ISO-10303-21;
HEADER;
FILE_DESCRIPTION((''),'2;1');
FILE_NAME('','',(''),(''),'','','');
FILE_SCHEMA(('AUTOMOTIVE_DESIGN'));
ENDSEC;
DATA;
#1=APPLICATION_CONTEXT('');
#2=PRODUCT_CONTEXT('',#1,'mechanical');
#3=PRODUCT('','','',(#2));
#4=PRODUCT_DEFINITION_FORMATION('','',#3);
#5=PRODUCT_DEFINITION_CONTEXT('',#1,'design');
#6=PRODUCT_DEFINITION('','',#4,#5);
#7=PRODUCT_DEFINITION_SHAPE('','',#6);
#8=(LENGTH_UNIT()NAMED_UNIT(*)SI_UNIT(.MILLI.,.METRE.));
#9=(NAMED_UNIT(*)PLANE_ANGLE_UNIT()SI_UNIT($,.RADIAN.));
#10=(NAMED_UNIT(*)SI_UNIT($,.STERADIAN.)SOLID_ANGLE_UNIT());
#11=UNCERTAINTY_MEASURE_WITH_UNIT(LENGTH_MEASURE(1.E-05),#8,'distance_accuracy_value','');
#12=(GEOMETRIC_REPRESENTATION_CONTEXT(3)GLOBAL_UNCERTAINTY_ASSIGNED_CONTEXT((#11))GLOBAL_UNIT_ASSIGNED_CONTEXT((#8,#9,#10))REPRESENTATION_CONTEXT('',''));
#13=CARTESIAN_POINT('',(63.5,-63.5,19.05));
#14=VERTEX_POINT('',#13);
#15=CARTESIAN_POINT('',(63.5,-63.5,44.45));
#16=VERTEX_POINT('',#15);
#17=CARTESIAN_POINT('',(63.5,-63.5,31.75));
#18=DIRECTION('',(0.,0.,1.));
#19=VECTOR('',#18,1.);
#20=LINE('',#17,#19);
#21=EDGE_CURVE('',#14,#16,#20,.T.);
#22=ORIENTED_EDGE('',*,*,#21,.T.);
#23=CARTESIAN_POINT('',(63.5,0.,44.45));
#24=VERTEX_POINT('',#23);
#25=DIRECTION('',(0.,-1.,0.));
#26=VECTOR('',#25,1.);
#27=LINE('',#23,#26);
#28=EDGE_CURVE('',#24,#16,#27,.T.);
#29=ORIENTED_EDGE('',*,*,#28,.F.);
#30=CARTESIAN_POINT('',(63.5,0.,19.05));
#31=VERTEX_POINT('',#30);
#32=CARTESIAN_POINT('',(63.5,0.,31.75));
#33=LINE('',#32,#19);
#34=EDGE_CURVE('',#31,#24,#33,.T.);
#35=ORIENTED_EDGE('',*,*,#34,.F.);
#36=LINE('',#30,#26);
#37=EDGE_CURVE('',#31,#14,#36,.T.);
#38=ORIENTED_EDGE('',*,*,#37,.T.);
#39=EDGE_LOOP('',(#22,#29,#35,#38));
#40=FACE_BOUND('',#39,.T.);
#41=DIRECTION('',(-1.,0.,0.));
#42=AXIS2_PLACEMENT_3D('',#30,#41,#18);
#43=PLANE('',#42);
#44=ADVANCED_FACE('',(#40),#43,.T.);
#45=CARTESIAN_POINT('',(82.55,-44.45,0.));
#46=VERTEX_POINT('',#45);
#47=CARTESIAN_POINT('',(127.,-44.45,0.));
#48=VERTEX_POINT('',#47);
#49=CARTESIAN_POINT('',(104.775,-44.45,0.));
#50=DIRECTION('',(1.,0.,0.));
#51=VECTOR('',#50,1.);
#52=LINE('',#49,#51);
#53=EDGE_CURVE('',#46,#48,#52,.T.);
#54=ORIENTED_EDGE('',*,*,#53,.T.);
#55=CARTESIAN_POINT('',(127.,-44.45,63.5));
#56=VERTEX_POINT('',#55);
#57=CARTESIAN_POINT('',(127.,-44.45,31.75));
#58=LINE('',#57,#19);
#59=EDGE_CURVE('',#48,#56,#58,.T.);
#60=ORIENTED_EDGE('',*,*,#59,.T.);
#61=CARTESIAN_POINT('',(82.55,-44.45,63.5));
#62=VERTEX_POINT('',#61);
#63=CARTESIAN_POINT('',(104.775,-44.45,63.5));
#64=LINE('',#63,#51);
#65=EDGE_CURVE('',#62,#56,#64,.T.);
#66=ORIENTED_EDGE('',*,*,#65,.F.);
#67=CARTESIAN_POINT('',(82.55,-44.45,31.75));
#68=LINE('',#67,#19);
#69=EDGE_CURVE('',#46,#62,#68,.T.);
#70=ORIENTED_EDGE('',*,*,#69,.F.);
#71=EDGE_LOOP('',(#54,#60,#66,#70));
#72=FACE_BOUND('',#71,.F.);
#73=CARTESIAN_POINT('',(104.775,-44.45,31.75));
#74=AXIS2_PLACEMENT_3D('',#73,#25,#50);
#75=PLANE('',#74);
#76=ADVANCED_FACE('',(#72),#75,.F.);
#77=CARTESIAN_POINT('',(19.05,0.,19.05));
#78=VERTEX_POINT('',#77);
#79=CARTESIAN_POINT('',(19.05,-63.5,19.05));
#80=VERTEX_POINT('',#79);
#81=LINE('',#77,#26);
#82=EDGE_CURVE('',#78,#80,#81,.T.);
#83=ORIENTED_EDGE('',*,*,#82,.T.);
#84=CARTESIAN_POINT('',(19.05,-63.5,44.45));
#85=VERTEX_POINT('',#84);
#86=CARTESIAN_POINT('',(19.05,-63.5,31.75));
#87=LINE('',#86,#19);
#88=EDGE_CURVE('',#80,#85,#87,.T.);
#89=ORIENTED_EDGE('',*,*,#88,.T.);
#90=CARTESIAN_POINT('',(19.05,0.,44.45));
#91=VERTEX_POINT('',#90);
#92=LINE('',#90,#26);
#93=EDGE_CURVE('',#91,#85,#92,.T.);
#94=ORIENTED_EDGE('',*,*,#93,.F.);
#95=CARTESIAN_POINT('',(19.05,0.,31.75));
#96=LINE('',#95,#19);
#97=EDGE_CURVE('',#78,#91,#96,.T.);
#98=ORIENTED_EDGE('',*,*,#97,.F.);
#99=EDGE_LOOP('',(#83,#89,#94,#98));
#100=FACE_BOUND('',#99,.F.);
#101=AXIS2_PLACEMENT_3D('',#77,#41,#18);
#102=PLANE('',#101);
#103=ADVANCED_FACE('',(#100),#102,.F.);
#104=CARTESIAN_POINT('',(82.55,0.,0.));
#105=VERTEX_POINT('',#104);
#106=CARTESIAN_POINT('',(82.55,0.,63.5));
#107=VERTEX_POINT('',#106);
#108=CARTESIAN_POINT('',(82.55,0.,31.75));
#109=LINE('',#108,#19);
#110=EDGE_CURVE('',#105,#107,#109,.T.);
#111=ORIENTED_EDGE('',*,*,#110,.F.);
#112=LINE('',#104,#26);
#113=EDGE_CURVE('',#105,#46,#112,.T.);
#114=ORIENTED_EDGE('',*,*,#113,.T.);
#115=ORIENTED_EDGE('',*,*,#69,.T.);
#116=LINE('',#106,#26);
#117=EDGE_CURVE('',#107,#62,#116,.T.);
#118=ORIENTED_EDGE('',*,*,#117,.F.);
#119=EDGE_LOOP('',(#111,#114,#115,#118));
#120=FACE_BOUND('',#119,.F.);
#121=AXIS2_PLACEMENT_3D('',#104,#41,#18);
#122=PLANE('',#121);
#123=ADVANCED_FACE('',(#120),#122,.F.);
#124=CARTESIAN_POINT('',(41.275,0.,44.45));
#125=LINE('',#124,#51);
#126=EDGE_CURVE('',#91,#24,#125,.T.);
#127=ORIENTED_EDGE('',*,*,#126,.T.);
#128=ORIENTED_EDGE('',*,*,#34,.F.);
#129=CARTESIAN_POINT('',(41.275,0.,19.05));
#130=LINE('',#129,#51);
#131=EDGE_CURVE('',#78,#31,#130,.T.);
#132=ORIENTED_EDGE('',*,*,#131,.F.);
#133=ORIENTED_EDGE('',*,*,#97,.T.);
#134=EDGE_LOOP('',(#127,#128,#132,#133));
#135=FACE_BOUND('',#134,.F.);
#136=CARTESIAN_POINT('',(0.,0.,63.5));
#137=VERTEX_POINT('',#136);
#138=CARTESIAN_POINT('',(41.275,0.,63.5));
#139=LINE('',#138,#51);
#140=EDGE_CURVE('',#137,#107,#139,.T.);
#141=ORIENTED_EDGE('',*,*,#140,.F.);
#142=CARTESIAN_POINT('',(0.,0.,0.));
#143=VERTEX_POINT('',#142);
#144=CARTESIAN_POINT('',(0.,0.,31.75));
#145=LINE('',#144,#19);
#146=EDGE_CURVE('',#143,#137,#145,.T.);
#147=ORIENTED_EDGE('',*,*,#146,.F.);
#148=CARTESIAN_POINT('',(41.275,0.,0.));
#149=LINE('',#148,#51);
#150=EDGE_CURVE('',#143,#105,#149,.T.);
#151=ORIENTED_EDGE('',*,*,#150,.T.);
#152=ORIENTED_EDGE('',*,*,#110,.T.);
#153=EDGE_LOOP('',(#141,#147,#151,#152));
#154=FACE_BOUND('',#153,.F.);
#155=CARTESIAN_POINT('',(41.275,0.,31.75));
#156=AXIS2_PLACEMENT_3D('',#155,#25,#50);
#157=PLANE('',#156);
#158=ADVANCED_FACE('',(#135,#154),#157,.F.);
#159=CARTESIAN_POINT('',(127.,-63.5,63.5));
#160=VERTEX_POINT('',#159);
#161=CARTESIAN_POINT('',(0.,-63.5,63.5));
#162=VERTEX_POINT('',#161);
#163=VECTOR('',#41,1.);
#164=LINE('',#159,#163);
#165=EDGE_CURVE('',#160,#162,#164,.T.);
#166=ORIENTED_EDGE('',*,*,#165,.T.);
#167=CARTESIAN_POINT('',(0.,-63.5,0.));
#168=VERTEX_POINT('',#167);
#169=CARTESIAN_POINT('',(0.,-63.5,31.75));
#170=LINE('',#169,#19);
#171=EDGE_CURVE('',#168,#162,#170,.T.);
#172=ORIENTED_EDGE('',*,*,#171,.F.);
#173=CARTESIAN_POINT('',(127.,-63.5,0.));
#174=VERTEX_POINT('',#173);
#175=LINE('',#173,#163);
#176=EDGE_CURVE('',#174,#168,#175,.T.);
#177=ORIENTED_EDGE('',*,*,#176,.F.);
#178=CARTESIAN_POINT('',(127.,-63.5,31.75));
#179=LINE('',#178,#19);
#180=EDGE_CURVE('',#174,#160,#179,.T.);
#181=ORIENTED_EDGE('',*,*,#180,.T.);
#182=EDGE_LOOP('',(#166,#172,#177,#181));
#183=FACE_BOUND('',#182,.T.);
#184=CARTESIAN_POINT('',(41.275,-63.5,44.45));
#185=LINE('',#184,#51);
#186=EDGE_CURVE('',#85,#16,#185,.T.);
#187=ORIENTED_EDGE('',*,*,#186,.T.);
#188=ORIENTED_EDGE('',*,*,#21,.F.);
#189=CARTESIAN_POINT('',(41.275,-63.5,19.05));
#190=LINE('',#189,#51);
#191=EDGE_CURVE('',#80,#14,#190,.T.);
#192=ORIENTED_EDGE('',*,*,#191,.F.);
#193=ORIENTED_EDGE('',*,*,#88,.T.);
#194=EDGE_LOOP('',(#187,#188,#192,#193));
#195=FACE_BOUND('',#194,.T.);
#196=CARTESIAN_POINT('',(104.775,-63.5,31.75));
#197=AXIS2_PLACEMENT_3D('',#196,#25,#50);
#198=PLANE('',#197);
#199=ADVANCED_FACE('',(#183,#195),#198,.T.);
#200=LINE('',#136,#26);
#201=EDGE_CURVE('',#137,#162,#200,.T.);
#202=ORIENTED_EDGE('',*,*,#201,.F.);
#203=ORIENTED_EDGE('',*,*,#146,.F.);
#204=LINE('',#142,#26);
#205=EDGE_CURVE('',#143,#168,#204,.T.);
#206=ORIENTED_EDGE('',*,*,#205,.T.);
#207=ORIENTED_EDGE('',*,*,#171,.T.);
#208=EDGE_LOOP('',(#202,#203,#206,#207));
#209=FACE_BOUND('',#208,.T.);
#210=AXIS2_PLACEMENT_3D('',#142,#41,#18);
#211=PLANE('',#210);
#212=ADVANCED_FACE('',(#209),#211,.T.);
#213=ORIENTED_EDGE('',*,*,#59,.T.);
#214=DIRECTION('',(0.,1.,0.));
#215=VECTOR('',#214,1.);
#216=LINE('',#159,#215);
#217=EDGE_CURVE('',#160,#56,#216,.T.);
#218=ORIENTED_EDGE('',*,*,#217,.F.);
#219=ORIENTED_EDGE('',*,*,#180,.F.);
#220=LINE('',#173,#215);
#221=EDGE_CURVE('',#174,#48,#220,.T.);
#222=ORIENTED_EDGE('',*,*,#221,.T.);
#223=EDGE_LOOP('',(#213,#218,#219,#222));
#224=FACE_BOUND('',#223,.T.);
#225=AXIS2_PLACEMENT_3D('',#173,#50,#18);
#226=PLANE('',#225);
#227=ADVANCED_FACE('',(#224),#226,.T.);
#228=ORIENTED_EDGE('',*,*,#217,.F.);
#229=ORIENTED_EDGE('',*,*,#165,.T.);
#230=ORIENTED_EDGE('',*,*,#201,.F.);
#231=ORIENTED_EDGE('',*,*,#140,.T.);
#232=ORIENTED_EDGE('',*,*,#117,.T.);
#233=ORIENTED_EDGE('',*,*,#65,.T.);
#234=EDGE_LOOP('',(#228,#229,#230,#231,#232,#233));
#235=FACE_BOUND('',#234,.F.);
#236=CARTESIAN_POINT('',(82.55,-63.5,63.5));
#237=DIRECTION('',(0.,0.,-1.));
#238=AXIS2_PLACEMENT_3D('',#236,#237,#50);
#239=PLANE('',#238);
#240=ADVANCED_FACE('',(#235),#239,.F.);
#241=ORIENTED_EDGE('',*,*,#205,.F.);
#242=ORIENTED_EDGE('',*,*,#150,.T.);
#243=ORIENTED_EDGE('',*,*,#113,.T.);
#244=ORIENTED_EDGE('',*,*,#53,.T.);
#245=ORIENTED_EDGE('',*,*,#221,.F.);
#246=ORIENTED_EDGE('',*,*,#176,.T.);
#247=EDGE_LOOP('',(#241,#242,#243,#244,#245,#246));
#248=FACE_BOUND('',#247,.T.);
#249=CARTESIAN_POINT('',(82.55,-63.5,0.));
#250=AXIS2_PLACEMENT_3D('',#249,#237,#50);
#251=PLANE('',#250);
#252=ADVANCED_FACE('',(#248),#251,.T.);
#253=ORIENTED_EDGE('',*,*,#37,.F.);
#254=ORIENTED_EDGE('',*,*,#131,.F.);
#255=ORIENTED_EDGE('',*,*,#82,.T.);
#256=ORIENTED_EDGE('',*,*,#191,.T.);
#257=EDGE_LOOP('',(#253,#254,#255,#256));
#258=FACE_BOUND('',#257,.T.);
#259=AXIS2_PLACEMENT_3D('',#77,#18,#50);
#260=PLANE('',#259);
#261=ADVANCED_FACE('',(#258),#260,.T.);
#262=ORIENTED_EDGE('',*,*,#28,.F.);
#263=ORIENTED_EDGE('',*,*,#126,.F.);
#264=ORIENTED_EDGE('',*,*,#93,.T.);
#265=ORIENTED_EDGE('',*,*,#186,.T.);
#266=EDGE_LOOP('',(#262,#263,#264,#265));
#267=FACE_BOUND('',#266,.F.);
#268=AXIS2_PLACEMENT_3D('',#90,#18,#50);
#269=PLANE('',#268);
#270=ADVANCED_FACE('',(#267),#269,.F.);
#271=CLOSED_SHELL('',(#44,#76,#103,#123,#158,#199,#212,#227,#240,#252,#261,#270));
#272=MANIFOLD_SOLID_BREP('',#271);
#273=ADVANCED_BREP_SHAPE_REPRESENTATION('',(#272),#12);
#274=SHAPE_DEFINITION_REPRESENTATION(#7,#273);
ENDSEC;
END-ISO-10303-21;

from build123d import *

# Parameters (mm, degrees)
F0_W     = 82.55
F0_H     = 63.5
F0_W_2   = 44.45
F0_H_2   = 25.4
F1_DEPTH = 63.5
F2_W     = 44.45
F2_H     = 63.5
F3_DEPTH = 19.05


with BuildPart() as f1:
    # F0 (on Front) → F1 (new body)
    with BuildSketch(Plane.XZ):
        with Locations((41.275, 31.75)):
            Rectangle(F0_W, F0_H)
        with Locations((41.275, 31.75)):
            Rectangle(F0_W_2, F0_H_2, mode=Mode.SUBTRACT)
    extrude(amount=F1_DEPTH)

    # F2 (on face) → F3 (join)
    with BuildSketch(Plane.XZ.offset(63.5)):
        with Locations((104.775, 31.75)):
            Rectangle(F2_W, F2_H)
    extrude(amount=-F3_DEPTH)


solid = f1.part
